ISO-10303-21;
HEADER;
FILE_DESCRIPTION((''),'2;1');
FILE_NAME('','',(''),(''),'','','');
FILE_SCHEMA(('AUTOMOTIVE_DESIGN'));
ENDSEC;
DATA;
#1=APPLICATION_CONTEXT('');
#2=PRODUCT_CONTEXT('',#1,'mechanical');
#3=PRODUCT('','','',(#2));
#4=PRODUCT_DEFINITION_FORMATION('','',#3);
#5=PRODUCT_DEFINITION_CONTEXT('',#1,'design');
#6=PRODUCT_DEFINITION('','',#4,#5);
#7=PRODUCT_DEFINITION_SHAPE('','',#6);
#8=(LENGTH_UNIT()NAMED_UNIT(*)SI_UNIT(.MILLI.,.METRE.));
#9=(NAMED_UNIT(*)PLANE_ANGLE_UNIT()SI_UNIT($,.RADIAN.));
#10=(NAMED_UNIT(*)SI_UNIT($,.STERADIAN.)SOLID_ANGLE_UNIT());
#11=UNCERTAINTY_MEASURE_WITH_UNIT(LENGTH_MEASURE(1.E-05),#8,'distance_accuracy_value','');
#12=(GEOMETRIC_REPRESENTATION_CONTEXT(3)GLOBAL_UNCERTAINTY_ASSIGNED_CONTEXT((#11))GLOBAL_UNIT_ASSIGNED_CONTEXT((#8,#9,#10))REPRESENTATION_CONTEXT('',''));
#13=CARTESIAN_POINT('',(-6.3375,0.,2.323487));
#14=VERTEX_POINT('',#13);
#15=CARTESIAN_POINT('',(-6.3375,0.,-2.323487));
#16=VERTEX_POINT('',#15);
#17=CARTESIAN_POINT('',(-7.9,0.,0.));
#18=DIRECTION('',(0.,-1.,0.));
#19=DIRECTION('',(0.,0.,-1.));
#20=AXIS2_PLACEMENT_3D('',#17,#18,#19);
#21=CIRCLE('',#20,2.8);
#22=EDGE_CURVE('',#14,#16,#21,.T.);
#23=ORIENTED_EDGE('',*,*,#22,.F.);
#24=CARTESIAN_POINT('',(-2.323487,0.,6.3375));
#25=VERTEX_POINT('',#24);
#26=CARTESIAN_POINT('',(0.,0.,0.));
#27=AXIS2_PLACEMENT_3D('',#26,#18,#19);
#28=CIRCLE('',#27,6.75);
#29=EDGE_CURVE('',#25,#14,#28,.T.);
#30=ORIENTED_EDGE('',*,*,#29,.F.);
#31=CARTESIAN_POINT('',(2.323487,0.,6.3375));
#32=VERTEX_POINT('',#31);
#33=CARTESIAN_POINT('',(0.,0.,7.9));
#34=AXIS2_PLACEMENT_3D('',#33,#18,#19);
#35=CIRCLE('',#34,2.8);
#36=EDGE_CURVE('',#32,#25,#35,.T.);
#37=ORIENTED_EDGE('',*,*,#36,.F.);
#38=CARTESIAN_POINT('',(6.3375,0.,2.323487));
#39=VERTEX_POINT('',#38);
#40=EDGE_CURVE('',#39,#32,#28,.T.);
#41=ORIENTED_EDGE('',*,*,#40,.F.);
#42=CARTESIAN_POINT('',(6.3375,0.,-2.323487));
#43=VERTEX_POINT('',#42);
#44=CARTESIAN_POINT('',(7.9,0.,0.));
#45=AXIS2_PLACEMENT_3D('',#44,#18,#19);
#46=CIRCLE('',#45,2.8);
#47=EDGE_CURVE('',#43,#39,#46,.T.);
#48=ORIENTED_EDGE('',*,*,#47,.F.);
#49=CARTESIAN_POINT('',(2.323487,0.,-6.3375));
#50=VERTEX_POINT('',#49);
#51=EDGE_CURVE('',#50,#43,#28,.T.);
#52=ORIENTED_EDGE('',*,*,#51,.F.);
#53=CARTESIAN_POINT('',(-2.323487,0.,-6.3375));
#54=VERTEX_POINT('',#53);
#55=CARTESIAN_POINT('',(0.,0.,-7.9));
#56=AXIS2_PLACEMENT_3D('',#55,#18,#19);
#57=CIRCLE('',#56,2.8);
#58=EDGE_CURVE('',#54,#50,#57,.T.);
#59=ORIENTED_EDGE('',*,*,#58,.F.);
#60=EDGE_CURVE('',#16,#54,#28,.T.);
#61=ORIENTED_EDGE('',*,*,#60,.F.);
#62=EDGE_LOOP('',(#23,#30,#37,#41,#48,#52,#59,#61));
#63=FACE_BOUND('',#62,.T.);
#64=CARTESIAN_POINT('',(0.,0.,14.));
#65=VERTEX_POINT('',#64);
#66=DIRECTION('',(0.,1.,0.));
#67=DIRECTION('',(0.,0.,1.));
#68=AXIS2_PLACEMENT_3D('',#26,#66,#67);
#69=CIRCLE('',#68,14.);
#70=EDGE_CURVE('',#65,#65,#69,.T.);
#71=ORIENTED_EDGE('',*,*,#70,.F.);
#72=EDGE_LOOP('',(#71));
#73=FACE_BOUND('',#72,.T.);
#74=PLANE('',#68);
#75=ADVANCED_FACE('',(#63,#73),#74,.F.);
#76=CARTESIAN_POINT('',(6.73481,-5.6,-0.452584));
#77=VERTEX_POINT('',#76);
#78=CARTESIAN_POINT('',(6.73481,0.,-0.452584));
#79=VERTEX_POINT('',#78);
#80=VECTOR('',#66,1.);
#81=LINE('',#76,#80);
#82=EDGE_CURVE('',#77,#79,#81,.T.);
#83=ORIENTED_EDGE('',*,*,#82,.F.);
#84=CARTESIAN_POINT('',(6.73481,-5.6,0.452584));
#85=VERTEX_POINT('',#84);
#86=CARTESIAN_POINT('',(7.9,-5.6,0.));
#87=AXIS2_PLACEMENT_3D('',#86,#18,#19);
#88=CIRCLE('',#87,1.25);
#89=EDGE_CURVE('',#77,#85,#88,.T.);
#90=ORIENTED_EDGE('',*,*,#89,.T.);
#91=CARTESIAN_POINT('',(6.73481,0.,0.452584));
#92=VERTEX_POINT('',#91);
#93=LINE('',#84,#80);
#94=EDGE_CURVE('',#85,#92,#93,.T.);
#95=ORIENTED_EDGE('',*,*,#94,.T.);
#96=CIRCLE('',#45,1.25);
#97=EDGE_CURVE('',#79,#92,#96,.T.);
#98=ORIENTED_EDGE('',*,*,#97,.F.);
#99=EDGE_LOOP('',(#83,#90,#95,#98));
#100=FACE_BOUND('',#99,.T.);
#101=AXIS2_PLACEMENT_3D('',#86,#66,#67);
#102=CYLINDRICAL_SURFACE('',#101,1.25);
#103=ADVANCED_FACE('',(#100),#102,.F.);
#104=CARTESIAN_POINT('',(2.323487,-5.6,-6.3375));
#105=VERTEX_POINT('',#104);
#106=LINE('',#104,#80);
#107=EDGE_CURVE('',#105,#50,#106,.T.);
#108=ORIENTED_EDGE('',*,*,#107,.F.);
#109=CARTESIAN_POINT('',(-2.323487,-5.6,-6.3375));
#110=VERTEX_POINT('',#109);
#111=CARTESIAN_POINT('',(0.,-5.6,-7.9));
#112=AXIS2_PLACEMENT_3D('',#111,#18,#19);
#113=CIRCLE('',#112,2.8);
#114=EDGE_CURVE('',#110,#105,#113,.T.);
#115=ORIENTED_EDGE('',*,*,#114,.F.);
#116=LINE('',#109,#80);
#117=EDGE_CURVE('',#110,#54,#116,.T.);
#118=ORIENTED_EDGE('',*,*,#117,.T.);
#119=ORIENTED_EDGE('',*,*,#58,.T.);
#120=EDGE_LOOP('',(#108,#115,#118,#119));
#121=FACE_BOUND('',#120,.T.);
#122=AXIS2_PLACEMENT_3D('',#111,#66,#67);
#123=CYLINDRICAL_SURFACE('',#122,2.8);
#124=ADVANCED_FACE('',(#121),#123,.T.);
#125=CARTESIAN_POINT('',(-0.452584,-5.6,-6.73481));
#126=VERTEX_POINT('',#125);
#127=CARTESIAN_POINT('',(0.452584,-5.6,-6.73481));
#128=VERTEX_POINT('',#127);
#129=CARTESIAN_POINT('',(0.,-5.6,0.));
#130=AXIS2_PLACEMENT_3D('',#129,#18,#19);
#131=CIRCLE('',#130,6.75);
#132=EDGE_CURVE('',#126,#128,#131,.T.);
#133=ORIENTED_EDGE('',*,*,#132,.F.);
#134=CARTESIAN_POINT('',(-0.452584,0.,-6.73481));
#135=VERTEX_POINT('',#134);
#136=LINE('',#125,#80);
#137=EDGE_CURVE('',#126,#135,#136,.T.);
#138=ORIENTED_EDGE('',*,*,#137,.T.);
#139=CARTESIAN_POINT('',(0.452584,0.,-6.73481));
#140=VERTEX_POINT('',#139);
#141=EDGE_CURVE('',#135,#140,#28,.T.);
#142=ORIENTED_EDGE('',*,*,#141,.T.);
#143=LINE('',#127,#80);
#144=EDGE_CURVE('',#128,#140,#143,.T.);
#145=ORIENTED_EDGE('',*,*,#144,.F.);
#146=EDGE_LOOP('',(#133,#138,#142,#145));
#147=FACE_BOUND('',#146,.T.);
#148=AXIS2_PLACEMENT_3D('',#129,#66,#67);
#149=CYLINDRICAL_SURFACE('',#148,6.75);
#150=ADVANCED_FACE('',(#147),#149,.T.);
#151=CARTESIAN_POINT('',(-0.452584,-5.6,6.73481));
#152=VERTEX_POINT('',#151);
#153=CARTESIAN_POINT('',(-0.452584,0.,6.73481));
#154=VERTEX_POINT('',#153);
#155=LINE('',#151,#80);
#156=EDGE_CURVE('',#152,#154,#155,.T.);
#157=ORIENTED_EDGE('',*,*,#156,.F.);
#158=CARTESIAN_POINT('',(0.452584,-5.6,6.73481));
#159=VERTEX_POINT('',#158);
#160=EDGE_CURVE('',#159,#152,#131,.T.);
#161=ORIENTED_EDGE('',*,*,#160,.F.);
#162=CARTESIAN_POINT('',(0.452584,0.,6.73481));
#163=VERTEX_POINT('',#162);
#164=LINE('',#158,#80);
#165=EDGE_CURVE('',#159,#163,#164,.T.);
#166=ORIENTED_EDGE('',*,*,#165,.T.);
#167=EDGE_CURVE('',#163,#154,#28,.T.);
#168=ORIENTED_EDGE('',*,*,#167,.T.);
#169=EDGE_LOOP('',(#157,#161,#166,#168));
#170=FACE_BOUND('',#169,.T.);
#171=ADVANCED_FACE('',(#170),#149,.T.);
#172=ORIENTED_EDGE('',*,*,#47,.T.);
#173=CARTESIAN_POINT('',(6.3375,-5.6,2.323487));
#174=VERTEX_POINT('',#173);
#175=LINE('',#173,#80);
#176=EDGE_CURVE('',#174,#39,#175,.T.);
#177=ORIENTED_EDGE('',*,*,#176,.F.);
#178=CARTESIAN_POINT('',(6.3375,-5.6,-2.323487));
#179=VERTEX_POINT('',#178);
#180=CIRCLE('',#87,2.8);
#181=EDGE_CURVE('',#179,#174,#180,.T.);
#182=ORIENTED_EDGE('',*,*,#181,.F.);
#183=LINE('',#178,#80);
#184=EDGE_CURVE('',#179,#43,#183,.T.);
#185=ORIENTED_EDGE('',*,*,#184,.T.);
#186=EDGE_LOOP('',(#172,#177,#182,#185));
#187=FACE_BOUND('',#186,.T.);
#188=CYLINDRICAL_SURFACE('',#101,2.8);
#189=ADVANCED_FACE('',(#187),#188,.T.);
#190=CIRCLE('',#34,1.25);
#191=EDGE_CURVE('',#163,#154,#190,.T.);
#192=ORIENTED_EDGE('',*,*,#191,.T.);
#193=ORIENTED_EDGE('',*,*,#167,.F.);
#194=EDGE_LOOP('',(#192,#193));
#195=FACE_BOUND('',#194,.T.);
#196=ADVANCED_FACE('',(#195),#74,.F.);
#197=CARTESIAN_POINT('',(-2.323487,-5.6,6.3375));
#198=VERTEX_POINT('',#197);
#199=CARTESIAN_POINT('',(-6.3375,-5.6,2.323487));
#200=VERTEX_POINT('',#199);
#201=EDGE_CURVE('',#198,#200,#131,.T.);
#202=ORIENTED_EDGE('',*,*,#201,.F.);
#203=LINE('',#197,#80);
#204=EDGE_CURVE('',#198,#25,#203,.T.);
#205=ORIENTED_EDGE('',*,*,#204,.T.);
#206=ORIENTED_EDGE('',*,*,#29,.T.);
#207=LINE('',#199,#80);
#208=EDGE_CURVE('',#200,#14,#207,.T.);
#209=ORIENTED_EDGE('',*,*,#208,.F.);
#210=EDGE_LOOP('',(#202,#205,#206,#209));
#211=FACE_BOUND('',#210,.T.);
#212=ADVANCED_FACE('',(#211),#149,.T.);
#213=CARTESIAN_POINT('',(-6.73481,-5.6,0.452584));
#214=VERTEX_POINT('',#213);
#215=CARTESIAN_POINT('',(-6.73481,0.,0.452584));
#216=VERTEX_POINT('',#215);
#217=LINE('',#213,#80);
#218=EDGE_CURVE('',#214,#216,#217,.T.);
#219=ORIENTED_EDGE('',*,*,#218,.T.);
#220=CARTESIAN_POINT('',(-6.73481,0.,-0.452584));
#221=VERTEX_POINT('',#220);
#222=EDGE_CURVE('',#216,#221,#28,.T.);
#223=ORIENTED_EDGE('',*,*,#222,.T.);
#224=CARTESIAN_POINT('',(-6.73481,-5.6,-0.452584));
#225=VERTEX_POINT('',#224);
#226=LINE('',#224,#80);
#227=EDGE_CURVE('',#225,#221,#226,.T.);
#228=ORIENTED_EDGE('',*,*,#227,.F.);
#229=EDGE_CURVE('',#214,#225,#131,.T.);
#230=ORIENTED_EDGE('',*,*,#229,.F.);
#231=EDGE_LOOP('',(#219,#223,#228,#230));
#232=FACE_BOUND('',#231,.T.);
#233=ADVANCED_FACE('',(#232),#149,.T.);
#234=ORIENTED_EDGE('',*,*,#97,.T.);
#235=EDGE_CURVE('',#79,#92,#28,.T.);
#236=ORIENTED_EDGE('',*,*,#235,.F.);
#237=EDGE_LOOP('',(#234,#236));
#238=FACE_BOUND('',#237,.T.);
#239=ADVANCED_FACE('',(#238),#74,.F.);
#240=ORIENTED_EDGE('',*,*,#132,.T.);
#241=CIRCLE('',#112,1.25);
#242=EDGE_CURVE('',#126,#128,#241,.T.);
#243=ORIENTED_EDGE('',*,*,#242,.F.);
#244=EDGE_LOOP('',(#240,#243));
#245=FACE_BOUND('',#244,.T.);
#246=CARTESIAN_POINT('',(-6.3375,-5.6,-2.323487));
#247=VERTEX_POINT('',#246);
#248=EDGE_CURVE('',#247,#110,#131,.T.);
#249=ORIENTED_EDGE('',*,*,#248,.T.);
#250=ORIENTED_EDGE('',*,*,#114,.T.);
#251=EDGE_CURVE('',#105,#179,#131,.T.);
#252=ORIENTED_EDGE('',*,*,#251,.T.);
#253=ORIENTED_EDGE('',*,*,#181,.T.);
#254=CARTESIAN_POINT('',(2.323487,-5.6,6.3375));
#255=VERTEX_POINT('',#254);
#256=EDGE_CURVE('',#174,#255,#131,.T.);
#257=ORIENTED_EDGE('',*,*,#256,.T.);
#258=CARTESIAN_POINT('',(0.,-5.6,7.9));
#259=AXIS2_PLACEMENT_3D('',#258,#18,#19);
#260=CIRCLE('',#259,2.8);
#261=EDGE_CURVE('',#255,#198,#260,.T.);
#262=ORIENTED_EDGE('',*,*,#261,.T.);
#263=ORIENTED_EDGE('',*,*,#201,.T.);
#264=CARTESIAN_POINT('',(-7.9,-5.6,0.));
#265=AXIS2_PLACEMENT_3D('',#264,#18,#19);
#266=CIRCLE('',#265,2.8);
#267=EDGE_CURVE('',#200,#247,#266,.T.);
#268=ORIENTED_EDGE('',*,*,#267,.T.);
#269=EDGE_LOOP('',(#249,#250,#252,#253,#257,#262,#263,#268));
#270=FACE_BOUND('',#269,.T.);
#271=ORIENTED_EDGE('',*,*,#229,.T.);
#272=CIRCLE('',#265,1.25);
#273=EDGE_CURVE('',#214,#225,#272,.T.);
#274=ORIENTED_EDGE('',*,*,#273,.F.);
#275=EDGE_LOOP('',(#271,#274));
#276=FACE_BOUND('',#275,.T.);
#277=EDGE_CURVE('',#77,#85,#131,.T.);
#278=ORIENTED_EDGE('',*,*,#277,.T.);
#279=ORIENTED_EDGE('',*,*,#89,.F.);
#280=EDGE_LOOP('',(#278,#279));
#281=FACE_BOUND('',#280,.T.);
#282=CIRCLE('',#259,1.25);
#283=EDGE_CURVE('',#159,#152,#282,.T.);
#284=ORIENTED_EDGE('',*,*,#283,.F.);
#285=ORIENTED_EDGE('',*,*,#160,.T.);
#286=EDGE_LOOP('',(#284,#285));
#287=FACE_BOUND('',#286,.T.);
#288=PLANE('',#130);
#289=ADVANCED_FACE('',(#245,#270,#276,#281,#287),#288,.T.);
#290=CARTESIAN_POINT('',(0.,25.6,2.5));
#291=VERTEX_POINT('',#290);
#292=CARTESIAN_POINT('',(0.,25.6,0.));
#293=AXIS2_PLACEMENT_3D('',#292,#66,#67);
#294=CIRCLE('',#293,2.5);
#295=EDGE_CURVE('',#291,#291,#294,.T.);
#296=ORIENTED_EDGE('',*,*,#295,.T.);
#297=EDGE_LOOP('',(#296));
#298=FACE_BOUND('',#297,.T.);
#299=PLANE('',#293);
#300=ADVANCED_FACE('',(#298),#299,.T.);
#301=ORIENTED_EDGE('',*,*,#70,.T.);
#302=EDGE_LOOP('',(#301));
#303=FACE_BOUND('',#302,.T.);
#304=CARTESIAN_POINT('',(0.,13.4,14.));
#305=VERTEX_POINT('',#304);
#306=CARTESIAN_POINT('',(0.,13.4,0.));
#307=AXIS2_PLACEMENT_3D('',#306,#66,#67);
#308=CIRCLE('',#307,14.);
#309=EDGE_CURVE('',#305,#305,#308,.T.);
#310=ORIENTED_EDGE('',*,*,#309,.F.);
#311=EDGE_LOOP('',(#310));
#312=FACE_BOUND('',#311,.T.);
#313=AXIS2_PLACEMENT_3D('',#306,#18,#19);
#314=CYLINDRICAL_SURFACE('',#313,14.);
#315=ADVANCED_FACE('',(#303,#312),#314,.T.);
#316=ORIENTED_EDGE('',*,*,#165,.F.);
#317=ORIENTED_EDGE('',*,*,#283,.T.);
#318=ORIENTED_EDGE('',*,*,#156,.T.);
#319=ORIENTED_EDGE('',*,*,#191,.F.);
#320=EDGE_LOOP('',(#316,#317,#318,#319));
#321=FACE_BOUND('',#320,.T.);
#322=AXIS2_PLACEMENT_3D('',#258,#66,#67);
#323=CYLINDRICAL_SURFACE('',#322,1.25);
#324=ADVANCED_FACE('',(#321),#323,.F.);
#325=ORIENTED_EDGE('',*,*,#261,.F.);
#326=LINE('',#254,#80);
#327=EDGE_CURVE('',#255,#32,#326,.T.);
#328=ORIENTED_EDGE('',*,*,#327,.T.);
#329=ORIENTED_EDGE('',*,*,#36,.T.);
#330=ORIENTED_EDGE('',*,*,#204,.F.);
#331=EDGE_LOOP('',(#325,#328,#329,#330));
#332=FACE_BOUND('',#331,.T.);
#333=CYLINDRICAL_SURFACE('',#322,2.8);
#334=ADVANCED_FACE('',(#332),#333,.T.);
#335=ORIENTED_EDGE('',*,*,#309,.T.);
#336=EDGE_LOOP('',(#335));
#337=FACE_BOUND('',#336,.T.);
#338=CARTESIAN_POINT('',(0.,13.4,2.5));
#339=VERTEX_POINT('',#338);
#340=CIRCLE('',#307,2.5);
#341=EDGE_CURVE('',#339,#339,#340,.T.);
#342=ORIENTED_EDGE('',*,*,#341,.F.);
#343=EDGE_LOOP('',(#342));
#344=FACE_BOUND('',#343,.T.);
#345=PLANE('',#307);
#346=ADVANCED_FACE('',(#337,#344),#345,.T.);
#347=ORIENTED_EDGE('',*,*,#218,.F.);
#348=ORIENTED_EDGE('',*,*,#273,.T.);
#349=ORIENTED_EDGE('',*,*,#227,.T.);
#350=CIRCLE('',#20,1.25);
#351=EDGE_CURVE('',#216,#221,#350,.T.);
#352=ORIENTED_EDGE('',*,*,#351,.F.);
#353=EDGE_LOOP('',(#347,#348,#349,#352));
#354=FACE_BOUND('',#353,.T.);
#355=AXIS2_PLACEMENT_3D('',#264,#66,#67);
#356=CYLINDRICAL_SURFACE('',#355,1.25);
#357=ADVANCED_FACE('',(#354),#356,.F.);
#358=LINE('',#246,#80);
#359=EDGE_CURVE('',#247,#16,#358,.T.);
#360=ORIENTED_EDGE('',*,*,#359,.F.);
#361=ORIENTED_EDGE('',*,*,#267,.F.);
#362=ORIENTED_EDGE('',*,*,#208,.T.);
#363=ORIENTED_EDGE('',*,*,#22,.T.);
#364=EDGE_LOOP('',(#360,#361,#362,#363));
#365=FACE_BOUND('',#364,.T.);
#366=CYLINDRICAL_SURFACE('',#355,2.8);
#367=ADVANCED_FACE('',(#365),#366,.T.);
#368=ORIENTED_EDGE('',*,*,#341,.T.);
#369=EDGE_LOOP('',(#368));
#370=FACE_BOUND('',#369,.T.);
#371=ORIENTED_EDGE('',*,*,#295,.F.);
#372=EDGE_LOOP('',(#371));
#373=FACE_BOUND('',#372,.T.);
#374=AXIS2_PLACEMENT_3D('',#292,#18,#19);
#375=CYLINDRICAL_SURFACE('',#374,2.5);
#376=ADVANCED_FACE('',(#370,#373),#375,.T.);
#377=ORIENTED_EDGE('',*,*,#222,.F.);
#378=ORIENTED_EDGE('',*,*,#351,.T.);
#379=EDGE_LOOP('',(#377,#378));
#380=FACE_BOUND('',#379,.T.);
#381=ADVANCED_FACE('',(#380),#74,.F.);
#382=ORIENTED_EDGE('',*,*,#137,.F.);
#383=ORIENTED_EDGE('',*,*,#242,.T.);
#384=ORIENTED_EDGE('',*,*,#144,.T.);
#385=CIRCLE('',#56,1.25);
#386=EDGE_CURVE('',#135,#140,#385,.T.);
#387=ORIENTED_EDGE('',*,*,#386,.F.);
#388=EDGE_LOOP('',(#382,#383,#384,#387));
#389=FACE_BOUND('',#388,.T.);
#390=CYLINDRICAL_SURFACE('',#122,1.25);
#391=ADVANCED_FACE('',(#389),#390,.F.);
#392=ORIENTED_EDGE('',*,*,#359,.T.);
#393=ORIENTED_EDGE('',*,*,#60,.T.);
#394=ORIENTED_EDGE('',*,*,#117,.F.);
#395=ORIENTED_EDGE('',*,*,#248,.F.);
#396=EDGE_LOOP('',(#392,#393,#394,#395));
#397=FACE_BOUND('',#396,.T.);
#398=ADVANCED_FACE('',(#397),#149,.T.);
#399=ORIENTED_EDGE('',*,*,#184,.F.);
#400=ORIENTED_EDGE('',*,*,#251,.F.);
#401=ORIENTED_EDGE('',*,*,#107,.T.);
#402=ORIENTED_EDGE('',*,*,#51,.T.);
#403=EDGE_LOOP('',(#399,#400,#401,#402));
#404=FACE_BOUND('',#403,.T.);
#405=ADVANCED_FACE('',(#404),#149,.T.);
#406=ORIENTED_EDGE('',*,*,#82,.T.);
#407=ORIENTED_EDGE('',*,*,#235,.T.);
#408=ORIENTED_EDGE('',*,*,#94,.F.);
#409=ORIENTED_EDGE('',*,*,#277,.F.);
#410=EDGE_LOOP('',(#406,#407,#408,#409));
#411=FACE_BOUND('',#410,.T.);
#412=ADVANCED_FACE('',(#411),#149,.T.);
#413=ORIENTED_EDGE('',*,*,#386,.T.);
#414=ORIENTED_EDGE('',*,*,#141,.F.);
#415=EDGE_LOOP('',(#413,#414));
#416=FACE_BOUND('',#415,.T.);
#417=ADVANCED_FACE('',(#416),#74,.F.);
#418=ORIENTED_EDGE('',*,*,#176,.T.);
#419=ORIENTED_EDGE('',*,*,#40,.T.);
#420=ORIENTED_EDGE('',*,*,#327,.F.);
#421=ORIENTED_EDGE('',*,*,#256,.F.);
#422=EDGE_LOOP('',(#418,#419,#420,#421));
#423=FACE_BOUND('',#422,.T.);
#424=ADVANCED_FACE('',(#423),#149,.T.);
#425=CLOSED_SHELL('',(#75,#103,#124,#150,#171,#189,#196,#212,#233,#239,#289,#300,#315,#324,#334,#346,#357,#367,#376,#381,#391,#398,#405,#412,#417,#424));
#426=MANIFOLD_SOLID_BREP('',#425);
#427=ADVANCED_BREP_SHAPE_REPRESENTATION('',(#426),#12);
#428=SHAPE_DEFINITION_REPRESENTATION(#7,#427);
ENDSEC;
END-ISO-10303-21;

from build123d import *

# Parameters (mm, degrees)
SKETCH1_R           = 14
BOSS_EXTRUDE1_DEPTH = 13.4
SKETCH2_R           = 2.5
BOSS_EXTRUDE2_DEPTH = 12.2
SKETCH3_R           = 6.75
BOSS_EXTRUDE3_DEPTH = 5.6


with BuildPart() as part:
    # Sketch1 → Boss-Extrude1 (new body)
    with BuildSketch(Plane(origin=(0, 0, 0), x_dir=(1, 0, 0), z_dir=(0, 1, 0))):
        Circle(SKETCH1_R)
    extrude(amount=BOSS_EXTRUDE1_DEPTH)

    # Sketch2 → Boss-Extrude2 (add)
    with BuildSketch(Plane(origin=(0, 13.4, 0), x_dir=(1, 0, 0), z_dir=(0, 1, 0))):
        Circle(SKETCH2_R)
    extrude(amount=BOSS_EXTRUDE2_DEPTH)

    # Sketch3 → Boss-Extrude3 (add)
    with BuildSketch(Plane.XZ):
        Circle(SKETCH3_R)
        with BuildLine():
            ThreePointArc((-6.734810127, 0.452584311), (-6.602756441, 1.402179513), (-6.3375, 2.323487411))
            ThreePointArc((-6.3375, 2.323487411), (-10.7, 0), (-6.3375, -2.323487411))
            ThreePointArc((-6.3375, -2.323487411), (-6.602756441, -1.402179513), (-6.734810127, -0.452584311))
            ThreePointArc((-6.734810127, -0.452584311), (-9.15, 0), (-6.734810127, 0.452584311))
        make_face()
        with BuildLine():
            ThreePointArc((0.452584311, 6.734810127), (1.402179513, 6.602756441), (2.323487411, 6.3375))
            ThreePointArc((2.323487411, 6.3375), (0, 10.7), (-2.323487411, 6.3375))
            ThreePointArc((-2.323487411, 6.3375), (-1.402179513, 6.602756441), (-0.452584311, 6.734810127))
            ThreePointArc((-0.452584311, 6.734810127), (0, 9.15), (0.452584311, 6.734810127))
        make_face()
        with BuildLine():
            ThreePointArc((-2.323487411, -6.3375), (0, -10.7), (2.323487411, -6.3375))
            ThreePointArc((2.323487411, -6.3375), (1.402179513, -6.602756441), (0.452584311, -6.734810127))
            ThreePointArc((0.452584311, -6.734810127), (0, -9.15), (-0.452584311, -6.734810127))
            ThreePointArc((-0.452584311, -6.734810127), (-1.402179513, -6.602756441), (-2.323487411, -6.3375))
        make_face()
        with BuildLine():
            ThreePointArc((6.3375, 2.323487411), (6.602756441, 1.402179513), (6.734810127, 0.452584311))
            ThreePointArc((6.734810127, 0.452584311), (9.15, 0), (6.734810127, -0.452584311))
            ThreePointArc((6.734810127, -0.452584311), (6.602756441, -1.402179513), (6.3375, -2.323487411))
            ThreePointArc((6.3375, -2.323487411), (10.7, 0), (6.3375, 2.323487411))
        make_face()
    extrude(amount=BOSS_EXTRUDE3_DEPTH)


solid = part.part
